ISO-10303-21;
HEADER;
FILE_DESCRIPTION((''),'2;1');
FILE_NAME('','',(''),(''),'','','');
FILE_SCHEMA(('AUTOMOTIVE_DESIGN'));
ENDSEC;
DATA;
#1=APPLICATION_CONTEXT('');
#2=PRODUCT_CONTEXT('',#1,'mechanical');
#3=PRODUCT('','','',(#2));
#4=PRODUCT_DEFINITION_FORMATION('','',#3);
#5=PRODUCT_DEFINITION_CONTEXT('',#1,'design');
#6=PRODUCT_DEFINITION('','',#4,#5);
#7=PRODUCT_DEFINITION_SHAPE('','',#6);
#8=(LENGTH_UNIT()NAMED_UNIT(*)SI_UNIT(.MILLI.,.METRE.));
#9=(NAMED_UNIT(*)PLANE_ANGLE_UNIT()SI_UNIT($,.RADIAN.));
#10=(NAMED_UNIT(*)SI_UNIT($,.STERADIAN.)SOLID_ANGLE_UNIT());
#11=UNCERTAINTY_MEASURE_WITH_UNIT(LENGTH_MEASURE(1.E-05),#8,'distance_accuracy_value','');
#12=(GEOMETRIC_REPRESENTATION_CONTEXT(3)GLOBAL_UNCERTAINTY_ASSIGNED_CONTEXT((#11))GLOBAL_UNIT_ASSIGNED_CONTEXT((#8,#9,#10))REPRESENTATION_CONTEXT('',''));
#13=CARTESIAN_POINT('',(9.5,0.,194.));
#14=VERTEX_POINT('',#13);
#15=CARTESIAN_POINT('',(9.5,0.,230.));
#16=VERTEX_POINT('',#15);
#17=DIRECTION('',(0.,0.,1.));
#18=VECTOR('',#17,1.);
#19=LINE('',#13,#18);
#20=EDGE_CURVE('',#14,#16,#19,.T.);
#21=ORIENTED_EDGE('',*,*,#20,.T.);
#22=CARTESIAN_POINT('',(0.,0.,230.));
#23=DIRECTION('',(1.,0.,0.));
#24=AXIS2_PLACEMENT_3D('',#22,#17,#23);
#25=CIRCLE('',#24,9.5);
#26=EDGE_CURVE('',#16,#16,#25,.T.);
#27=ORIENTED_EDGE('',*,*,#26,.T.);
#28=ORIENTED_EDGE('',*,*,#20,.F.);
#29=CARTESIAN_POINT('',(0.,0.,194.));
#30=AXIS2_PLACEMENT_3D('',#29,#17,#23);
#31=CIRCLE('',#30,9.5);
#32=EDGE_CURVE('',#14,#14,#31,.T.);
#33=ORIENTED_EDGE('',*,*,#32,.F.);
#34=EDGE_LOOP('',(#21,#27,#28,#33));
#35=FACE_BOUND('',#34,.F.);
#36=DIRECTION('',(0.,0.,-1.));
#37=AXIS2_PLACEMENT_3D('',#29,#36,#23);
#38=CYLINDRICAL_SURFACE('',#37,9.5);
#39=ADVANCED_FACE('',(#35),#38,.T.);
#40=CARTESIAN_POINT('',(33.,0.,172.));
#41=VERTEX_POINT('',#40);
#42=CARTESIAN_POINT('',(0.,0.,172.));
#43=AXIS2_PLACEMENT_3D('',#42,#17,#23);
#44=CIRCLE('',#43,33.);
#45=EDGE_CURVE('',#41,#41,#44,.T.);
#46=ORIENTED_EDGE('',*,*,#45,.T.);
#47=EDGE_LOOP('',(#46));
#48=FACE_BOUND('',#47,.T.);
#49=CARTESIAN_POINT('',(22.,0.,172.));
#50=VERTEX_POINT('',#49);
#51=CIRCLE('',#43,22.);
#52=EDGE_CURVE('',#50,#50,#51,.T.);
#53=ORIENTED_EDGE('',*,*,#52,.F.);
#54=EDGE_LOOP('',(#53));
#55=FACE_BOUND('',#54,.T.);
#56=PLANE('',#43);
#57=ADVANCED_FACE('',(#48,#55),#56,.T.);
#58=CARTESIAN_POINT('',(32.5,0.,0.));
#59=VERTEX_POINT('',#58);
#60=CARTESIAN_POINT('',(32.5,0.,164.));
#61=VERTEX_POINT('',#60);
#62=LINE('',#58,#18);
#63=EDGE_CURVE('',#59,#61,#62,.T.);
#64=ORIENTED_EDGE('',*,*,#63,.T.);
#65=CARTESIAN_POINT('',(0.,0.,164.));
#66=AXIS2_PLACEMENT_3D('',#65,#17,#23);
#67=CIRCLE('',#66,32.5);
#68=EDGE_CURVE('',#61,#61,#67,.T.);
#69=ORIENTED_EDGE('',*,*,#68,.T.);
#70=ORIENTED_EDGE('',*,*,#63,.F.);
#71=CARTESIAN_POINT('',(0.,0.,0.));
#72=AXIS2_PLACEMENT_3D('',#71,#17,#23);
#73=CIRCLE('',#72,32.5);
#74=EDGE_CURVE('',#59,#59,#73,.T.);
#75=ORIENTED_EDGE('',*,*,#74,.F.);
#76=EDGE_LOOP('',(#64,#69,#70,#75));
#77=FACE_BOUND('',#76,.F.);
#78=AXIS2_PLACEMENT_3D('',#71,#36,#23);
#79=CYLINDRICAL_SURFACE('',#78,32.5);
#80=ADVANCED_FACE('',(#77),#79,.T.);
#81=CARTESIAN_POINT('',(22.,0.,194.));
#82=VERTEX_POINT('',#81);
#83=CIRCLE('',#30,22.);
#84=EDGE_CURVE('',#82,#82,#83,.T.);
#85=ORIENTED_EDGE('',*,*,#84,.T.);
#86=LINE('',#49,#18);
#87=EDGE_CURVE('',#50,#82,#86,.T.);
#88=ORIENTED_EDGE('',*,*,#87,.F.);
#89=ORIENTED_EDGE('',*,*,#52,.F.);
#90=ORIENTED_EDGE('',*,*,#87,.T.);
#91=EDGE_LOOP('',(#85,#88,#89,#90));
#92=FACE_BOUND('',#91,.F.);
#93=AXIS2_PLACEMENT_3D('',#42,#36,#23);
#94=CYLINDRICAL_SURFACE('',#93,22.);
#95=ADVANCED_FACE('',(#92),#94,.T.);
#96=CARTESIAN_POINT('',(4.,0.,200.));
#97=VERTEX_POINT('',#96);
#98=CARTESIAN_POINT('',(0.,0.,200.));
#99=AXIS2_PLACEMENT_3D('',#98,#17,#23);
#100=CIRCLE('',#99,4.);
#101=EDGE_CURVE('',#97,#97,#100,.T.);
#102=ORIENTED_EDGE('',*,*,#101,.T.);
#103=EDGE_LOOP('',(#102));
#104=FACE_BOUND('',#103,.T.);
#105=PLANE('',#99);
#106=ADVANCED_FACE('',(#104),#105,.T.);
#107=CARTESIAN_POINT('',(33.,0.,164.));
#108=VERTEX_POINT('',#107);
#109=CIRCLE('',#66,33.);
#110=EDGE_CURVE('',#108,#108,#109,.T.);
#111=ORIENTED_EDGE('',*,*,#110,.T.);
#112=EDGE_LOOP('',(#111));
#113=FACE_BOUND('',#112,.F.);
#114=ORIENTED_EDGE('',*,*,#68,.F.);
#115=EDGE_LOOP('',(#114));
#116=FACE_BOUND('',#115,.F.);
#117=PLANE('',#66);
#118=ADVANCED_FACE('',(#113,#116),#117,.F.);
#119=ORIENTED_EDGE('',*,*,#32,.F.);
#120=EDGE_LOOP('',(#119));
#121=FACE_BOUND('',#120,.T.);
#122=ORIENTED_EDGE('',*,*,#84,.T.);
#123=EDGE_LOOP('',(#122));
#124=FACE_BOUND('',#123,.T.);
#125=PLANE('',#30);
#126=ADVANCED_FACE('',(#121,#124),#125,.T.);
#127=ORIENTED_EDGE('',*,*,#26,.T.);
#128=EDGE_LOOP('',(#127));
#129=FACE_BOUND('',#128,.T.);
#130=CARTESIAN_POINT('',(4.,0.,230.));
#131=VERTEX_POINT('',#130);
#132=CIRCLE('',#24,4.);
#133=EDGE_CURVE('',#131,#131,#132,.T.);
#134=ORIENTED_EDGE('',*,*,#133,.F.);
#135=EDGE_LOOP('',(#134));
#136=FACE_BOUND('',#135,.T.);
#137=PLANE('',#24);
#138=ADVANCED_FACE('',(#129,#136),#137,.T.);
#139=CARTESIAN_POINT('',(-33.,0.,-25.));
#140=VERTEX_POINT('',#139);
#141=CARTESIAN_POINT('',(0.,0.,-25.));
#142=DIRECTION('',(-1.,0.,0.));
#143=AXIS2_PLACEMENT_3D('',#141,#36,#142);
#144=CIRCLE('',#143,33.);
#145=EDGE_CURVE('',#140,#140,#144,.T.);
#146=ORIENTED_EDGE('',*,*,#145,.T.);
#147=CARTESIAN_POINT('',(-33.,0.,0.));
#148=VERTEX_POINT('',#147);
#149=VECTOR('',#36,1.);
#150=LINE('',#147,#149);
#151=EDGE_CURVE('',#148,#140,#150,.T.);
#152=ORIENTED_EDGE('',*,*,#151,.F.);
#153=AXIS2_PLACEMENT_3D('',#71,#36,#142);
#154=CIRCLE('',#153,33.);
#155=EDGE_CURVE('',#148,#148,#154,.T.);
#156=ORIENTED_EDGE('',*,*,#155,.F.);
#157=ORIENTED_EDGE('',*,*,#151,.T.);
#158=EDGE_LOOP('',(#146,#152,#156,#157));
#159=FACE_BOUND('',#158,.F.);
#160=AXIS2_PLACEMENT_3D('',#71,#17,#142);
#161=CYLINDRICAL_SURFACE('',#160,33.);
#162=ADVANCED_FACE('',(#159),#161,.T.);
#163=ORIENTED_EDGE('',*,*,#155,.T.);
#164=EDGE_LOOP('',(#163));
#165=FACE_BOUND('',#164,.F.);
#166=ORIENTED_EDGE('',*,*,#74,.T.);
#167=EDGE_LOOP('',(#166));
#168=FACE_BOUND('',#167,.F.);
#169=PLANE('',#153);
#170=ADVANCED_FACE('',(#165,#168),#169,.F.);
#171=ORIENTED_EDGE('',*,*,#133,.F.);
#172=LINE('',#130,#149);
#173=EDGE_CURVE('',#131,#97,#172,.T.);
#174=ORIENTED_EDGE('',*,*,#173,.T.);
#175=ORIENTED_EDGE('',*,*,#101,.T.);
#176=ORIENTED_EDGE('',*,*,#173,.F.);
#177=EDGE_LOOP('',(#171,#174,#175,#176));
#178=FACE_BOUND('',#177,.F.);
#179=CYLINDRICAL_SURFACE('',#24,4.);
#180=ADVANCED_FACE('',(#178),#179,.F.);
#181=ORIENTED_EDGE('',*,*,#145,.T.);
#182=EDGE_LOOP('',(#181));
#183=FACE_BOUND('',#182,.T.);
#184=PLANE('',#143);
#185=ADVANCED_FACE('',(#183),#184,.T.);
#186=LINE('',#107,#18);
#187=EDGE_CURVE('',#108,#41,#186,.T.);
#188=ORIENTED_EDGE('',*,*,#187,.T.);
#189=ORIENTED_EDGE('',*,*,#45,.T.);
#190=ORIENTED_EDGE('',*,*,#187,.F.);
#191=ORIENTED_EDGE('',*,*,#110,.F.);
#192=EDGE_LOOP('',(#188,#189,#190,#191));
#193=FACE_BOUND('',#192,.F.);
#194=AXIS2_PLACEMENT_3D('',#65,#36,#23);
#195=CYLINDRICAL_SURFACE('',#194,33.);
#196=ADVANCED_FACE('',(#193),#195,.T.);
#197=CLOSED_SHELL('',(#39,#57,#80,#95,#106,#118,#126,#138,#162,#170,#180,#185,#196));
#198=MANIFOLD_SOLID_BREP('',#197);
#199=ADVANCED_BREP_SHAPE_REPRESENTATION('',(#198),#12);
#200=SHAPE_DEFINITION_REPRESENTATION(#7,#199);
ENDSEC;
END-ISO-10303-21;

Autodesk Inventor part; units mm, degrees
ref_plane "YZ Plane" through (0, 0, 0) normal (1, 0, 0) x (0, 1, 0)
ref_plane "XZ Plane" through (0, 0, 0) normal (0, 1, 0) x (-1, 0, 0)
ref_plane "XY Plane" through (0, 0, 0) normal (0, 0, 1) x (1, 0, 0)
sketch "Szkic1" plane through (0, 0, 0) normal (0, 0, 1) x (1, 0, 0)
  circle A0 centre (0, 0) radius 32.5
  dimension "d0" = 65
extrude "Wyciągnięcie proste1" add sketch "Szkic1" along normal blind 164
sketch "Szkic2" plane through (0, 0, 0) normal (0, 0, -1) x (-1, 0, 0)
  circle A0 centre (0, 0) radius 32.5 projected
  circle A1 centre (0, 0) radius 33
  dimension "d3" = 66
extrude "Wyciągnięcie proste2" add sketch "Szkic2" along normal blind 25 contours A0 | A1
sketch "Szkic3" plane through (0, 0, 164) normal (0, 0, 1) x (1, 0, 0)
  circle A0 centre (0, 0) radius 33
  dimension "d6" = 66
extrude "Wyciągnięcie proste3" add sketch "Szkic3" along normal blind 8
sketch "Szkic4" plane through (0, 0, 172) normal (0, 0, 1) x (1, 0, 0)
  circle A0 centre (0, 0) radius 22
  dimension "d9" = 44
extrude "Wyciągnięcie proste4" add sketch "Szkic4" along normal blind 22
sketch "Szkic5" plane through (0, 0, 194) normal (0, 0, 1) x (1, 0, 0)
  circle A0 centre (0, 0) radius 9.5
  dimension "d12" = 19
extrude "Wyciągnięcie proste5" add sketch "Szkic5" along normal blind 36
sketch "Szkic6" plane through (0, 0, 230) normal (0, 0, 1) x (1, 0, 0)
  circle A0 centre (0, 0) radius 4
  dimension "d15" = 8
extrude "Wyciągnięcie proste6" cut sketch "Szkic6" against normal blind 30
properties part number "Wrzeciono Elektrowrzeciono CNC 0.8kw"
